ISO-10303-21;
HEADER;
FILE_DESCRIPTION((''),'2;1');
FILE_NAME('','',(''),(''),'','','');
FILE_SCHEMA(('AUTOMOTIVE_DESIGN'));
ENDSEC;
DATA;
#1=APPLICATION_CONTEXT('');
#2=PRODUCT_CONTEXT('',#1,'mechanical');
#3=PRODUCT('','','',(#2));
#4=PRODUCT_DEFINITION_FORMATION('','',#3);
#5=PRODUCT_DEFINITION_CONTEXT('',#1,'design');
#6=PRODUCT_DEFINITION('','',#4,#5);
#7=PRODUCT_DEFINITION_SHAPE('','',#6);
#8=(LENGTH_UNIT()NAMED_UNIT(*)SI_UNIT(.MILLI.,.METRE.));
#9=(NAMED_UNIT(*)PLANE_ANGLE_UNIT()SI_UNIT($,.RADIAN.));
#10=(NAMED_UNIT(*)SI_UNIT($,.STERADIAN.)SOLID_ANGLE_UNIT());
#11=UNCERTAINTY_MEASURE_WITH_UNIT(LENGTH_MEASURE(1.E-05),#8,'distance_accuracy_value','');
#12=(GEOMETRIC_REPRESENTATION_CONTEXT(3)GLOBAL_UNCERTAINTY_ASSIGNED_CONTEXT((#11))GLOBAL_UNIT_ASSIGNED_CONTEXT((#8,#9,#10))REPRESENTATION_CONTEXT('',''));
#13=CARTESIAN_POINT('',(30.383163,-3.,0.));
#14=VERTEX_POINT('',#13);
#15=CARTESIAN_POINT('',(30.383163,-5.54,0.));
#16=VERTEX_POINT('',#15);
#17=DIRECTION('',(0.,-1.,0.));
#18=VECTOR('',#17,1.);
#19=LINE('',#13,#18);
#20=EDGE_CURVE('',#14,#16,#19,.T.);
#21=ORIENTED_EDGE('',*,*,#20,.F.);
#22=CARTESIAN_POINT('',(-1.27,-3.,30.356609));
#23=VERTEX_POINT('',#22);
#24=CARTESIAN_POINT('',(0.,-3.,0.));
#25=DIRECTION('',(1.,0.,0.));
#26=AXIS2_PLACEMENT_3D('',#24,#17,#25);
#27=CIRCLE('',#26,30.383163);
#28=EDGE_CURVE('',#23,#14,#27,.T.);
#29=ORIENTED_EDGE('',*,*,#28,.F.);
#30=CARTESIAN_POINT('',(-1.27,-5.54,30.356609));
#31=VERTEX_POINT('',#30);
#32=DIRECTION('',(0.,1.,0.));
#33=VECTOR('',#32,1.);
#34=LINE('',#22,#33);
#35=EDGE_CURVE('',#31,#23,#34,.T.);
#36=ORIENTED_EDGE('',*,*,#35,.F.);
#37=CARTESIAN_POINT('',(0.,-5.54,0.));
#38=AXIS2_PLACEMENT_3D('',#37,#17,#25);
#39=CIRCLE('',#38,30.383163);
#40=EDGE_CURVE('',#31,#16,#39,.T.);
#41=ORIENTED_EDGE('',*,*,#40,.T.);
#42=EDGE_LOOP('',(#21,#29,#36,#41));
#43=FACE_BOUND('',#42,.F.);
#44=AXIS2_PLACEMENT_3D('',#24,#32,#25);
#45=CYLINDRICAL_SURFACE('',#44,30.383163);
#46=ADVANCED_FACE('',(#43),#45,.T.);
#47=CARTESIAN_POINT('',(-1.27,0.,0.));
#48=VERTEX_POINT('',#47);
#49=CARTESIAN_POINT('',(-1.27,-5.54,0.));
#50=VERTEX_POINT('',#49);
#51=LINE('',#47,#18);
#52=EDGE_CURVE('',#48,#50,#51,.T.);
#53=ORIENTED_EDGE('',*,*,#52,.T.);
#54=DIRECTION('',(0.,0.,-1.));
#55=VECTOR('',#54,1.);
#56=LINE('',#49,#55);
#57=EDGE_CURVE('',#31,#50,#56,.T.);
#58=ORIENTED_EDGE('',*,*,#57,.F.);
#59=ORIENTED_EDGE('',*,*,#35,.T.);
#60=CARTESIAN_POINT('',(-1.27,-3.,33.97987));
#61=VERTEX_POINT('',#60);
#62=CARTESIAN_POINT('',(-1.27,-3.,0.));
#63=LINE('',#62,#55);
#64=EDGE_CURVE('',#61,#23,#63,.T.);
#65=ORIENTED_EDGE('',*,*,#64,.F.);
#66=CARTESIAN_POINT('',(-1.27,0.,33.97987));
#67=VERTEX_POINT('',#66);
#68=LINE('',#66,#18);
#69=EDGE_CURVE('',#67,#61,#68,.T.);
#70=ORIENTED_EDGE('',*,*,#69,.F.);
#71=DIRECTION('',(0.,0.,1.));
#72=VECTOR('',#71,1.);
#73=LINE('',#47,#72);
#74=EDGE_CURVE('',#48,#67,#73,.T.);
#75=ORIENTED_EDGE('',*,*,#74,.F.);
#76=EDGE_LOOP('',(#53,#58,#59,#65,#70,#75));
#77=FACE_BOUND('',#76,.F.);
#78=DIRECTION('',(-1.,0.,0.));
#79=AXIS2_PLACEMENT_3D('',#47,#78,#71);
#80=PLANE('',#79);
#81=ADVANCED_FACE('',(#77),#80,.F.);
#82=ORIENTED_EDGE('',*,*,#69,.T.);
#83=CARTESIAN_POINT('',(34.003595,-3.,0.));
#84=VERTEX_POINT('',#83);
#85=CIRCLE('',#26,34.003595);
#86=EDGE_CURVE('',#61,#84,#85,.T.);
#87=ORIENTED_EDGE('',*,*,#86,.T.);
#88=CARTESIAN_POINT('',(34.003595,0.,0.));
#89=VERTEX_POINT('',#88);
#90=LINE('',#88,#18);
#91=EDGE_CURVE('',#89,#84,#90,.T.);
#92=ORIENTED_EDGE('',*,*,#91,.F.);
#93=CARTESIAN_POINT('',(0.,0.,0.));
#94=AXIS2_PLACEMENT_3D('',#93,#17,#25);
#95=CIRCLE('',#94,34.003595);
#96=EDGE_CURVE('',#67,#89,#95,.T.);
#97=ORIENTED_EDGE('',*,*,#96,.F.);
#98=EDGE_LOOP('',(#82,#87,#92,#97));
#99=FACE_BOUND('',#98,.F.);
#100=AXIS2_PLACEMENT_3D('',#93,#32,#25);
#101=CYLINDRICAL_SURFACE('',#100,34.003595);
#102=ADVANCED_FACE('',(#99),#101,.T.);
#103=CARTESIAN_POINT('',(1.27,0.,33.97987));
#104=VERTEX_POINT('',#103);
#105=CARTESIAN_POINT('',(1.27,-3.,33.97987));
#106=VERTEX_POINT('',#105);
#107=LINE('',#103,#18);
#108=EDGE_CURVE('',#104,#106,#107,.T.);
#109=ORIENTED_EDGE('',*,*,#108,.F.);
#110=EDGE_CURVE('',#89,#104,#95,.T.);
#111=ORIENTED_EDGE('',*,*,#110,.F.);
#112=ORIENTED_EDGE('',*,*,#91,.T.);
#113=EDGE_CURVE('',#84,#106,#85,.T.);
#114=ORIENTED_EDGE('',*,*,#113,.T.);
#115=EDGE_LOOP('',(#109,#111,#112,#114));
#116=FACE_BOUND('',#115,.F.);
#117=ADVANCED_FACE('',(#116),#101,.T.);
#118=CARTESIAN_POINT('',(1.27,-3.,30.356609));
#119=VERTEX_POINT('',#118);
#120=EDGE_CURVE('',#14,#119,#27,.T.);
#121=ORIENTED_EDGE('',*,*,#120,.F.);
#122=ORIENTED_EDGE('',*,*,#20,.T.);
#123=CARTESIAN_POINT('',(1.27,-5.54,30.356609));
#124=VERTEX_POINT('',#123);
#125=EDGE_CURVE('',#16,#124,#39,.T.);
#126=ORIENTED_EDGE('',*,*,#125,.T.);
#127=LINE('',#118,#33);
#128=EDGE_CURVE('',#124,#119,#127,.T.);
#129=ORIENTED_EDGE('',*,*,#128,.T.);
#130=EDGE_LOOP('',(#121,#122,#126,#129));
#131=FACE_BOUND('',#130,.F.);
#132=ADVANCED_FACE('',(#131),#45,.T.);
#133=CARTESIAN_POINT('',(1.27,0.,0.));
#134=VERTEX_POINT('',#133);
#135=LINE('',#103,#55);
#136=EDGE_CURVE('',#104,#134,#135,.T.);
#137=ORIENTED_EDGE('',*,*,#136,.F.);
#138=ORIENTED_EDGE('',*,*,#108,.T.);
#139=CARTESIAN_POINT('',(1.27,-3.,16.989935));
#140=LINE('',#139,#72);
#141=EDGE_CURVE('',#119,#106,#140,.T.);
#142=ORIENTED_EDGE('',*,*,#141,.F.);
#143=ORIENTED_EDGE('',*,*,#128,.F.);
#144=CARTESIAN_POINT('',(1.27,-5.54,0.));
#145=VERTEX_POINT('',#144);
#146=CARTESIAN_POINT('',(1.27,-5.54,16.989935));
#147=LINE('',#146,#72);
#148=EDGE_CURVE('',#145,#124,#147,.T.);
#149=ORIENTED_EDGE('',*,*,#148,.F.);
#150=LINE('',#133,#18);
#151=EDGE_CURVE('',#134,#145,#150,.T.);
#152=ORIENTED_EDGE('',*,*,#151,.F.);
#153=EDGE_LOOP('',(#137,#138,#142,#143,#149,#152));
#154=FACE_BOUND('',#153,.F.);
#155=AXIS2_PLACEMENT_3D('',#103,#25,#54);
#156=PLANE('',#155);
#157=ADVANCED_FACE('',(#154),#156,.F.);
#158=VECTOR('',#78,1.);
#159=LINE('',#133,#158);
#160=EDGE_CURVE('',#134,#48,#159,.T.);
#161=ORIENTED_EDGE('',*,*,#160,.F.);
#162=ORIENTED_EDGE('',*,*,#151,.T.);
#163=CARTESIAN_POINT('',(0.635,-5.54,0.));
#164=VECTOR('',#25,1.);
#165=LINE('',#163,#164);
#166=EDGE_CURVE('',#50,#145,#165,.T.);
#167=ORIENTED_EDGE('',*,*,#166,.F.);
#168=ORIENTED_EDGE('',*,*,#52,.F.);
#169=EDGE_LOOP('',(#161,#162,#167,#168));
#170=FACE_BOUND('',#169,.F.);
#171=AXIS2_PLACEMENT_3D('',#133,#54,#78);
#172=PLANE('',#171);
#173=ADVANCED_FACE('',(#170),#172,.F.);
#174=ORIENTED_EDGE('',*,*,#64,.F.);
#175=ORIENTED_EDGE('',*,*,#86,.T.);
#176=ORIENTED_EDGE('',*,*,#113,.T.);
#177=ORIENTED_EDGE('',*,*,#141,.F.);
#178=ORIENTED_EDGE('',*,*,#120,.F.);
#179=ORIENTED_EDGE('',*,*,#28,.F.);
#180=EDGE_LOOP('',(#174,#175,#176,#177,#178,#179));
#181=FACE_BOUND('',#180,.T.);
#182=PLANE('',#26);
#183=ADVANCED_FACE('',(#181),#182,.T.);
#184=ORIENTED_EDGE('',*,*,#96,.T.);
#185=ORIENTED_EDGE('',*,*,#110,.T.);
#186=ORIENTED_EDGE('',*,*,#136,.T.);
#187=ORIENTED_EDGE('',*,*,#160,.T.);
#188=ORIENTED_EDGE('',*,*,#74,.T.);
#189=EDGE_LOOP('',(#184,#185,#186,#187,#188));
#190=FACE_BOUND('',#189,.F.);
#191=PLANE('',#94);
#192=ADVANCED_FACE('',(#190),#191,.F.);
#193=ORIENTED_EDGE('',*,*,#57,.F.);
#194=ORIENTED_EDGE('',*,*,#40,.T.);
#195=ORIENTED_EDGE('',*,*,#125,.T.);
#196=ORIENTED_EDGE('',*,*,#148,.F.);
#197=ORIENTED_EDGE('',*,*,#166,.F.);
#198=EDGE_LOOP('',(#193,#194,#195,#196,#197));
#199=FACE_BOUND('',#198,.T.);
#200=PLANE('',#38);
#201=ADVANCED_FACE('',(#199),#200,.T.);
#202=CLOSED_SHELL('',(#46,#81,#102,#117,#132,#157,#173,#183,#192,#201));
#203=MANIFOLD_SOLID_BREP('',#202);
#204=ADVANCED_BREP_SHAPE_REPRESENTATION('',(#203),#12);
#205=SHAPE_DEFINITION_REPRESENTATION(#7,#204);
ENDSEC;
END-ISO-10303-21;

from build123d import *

# Parameters (mm, degrees)
F0_R     = 34.003595
F1_DEPTH = 3
F2_R     = 30.383163
F3_DEPTH = 2.54
F5_DEPTH = 25.4


with BuildPart() as f1:
    # F0 (on Front) → F1 (new body)
    with BuildSketch(Plane.XZ):
        Circle(F0_R)
    extrude(amount=F1_DEPTH)

    # F2 (on face) → F3 (join)
    with BuildSketch(Plane.XZ.offset(3)):
        Circle(F2_R)
    extrude(amount=F3_DEPTH)

    # F4 (on face) → F5 (cut)
    with BuildSketch(Plane(origin=(0, 0, 0), x_dir=(-1, 0, 0), z_dir=(0, 1, 0))):
        with BuildLine():
            Line((-1.27, 0), (0, 0))
            Line((0, 0), (1.27, 0))
            Line((1.27, 0), (1.27, 33.97987))
            ThreePointArc((1.27, 33.97987), (0, 34.003595), (-1.27, 33.97987))
            Line((-1.27, 33.97987), (-1.27, 0))
        make_face()
    extrude(amount=-F5_DEPTH, mode=Mode.SUBTRACT)


solid = f1.part
